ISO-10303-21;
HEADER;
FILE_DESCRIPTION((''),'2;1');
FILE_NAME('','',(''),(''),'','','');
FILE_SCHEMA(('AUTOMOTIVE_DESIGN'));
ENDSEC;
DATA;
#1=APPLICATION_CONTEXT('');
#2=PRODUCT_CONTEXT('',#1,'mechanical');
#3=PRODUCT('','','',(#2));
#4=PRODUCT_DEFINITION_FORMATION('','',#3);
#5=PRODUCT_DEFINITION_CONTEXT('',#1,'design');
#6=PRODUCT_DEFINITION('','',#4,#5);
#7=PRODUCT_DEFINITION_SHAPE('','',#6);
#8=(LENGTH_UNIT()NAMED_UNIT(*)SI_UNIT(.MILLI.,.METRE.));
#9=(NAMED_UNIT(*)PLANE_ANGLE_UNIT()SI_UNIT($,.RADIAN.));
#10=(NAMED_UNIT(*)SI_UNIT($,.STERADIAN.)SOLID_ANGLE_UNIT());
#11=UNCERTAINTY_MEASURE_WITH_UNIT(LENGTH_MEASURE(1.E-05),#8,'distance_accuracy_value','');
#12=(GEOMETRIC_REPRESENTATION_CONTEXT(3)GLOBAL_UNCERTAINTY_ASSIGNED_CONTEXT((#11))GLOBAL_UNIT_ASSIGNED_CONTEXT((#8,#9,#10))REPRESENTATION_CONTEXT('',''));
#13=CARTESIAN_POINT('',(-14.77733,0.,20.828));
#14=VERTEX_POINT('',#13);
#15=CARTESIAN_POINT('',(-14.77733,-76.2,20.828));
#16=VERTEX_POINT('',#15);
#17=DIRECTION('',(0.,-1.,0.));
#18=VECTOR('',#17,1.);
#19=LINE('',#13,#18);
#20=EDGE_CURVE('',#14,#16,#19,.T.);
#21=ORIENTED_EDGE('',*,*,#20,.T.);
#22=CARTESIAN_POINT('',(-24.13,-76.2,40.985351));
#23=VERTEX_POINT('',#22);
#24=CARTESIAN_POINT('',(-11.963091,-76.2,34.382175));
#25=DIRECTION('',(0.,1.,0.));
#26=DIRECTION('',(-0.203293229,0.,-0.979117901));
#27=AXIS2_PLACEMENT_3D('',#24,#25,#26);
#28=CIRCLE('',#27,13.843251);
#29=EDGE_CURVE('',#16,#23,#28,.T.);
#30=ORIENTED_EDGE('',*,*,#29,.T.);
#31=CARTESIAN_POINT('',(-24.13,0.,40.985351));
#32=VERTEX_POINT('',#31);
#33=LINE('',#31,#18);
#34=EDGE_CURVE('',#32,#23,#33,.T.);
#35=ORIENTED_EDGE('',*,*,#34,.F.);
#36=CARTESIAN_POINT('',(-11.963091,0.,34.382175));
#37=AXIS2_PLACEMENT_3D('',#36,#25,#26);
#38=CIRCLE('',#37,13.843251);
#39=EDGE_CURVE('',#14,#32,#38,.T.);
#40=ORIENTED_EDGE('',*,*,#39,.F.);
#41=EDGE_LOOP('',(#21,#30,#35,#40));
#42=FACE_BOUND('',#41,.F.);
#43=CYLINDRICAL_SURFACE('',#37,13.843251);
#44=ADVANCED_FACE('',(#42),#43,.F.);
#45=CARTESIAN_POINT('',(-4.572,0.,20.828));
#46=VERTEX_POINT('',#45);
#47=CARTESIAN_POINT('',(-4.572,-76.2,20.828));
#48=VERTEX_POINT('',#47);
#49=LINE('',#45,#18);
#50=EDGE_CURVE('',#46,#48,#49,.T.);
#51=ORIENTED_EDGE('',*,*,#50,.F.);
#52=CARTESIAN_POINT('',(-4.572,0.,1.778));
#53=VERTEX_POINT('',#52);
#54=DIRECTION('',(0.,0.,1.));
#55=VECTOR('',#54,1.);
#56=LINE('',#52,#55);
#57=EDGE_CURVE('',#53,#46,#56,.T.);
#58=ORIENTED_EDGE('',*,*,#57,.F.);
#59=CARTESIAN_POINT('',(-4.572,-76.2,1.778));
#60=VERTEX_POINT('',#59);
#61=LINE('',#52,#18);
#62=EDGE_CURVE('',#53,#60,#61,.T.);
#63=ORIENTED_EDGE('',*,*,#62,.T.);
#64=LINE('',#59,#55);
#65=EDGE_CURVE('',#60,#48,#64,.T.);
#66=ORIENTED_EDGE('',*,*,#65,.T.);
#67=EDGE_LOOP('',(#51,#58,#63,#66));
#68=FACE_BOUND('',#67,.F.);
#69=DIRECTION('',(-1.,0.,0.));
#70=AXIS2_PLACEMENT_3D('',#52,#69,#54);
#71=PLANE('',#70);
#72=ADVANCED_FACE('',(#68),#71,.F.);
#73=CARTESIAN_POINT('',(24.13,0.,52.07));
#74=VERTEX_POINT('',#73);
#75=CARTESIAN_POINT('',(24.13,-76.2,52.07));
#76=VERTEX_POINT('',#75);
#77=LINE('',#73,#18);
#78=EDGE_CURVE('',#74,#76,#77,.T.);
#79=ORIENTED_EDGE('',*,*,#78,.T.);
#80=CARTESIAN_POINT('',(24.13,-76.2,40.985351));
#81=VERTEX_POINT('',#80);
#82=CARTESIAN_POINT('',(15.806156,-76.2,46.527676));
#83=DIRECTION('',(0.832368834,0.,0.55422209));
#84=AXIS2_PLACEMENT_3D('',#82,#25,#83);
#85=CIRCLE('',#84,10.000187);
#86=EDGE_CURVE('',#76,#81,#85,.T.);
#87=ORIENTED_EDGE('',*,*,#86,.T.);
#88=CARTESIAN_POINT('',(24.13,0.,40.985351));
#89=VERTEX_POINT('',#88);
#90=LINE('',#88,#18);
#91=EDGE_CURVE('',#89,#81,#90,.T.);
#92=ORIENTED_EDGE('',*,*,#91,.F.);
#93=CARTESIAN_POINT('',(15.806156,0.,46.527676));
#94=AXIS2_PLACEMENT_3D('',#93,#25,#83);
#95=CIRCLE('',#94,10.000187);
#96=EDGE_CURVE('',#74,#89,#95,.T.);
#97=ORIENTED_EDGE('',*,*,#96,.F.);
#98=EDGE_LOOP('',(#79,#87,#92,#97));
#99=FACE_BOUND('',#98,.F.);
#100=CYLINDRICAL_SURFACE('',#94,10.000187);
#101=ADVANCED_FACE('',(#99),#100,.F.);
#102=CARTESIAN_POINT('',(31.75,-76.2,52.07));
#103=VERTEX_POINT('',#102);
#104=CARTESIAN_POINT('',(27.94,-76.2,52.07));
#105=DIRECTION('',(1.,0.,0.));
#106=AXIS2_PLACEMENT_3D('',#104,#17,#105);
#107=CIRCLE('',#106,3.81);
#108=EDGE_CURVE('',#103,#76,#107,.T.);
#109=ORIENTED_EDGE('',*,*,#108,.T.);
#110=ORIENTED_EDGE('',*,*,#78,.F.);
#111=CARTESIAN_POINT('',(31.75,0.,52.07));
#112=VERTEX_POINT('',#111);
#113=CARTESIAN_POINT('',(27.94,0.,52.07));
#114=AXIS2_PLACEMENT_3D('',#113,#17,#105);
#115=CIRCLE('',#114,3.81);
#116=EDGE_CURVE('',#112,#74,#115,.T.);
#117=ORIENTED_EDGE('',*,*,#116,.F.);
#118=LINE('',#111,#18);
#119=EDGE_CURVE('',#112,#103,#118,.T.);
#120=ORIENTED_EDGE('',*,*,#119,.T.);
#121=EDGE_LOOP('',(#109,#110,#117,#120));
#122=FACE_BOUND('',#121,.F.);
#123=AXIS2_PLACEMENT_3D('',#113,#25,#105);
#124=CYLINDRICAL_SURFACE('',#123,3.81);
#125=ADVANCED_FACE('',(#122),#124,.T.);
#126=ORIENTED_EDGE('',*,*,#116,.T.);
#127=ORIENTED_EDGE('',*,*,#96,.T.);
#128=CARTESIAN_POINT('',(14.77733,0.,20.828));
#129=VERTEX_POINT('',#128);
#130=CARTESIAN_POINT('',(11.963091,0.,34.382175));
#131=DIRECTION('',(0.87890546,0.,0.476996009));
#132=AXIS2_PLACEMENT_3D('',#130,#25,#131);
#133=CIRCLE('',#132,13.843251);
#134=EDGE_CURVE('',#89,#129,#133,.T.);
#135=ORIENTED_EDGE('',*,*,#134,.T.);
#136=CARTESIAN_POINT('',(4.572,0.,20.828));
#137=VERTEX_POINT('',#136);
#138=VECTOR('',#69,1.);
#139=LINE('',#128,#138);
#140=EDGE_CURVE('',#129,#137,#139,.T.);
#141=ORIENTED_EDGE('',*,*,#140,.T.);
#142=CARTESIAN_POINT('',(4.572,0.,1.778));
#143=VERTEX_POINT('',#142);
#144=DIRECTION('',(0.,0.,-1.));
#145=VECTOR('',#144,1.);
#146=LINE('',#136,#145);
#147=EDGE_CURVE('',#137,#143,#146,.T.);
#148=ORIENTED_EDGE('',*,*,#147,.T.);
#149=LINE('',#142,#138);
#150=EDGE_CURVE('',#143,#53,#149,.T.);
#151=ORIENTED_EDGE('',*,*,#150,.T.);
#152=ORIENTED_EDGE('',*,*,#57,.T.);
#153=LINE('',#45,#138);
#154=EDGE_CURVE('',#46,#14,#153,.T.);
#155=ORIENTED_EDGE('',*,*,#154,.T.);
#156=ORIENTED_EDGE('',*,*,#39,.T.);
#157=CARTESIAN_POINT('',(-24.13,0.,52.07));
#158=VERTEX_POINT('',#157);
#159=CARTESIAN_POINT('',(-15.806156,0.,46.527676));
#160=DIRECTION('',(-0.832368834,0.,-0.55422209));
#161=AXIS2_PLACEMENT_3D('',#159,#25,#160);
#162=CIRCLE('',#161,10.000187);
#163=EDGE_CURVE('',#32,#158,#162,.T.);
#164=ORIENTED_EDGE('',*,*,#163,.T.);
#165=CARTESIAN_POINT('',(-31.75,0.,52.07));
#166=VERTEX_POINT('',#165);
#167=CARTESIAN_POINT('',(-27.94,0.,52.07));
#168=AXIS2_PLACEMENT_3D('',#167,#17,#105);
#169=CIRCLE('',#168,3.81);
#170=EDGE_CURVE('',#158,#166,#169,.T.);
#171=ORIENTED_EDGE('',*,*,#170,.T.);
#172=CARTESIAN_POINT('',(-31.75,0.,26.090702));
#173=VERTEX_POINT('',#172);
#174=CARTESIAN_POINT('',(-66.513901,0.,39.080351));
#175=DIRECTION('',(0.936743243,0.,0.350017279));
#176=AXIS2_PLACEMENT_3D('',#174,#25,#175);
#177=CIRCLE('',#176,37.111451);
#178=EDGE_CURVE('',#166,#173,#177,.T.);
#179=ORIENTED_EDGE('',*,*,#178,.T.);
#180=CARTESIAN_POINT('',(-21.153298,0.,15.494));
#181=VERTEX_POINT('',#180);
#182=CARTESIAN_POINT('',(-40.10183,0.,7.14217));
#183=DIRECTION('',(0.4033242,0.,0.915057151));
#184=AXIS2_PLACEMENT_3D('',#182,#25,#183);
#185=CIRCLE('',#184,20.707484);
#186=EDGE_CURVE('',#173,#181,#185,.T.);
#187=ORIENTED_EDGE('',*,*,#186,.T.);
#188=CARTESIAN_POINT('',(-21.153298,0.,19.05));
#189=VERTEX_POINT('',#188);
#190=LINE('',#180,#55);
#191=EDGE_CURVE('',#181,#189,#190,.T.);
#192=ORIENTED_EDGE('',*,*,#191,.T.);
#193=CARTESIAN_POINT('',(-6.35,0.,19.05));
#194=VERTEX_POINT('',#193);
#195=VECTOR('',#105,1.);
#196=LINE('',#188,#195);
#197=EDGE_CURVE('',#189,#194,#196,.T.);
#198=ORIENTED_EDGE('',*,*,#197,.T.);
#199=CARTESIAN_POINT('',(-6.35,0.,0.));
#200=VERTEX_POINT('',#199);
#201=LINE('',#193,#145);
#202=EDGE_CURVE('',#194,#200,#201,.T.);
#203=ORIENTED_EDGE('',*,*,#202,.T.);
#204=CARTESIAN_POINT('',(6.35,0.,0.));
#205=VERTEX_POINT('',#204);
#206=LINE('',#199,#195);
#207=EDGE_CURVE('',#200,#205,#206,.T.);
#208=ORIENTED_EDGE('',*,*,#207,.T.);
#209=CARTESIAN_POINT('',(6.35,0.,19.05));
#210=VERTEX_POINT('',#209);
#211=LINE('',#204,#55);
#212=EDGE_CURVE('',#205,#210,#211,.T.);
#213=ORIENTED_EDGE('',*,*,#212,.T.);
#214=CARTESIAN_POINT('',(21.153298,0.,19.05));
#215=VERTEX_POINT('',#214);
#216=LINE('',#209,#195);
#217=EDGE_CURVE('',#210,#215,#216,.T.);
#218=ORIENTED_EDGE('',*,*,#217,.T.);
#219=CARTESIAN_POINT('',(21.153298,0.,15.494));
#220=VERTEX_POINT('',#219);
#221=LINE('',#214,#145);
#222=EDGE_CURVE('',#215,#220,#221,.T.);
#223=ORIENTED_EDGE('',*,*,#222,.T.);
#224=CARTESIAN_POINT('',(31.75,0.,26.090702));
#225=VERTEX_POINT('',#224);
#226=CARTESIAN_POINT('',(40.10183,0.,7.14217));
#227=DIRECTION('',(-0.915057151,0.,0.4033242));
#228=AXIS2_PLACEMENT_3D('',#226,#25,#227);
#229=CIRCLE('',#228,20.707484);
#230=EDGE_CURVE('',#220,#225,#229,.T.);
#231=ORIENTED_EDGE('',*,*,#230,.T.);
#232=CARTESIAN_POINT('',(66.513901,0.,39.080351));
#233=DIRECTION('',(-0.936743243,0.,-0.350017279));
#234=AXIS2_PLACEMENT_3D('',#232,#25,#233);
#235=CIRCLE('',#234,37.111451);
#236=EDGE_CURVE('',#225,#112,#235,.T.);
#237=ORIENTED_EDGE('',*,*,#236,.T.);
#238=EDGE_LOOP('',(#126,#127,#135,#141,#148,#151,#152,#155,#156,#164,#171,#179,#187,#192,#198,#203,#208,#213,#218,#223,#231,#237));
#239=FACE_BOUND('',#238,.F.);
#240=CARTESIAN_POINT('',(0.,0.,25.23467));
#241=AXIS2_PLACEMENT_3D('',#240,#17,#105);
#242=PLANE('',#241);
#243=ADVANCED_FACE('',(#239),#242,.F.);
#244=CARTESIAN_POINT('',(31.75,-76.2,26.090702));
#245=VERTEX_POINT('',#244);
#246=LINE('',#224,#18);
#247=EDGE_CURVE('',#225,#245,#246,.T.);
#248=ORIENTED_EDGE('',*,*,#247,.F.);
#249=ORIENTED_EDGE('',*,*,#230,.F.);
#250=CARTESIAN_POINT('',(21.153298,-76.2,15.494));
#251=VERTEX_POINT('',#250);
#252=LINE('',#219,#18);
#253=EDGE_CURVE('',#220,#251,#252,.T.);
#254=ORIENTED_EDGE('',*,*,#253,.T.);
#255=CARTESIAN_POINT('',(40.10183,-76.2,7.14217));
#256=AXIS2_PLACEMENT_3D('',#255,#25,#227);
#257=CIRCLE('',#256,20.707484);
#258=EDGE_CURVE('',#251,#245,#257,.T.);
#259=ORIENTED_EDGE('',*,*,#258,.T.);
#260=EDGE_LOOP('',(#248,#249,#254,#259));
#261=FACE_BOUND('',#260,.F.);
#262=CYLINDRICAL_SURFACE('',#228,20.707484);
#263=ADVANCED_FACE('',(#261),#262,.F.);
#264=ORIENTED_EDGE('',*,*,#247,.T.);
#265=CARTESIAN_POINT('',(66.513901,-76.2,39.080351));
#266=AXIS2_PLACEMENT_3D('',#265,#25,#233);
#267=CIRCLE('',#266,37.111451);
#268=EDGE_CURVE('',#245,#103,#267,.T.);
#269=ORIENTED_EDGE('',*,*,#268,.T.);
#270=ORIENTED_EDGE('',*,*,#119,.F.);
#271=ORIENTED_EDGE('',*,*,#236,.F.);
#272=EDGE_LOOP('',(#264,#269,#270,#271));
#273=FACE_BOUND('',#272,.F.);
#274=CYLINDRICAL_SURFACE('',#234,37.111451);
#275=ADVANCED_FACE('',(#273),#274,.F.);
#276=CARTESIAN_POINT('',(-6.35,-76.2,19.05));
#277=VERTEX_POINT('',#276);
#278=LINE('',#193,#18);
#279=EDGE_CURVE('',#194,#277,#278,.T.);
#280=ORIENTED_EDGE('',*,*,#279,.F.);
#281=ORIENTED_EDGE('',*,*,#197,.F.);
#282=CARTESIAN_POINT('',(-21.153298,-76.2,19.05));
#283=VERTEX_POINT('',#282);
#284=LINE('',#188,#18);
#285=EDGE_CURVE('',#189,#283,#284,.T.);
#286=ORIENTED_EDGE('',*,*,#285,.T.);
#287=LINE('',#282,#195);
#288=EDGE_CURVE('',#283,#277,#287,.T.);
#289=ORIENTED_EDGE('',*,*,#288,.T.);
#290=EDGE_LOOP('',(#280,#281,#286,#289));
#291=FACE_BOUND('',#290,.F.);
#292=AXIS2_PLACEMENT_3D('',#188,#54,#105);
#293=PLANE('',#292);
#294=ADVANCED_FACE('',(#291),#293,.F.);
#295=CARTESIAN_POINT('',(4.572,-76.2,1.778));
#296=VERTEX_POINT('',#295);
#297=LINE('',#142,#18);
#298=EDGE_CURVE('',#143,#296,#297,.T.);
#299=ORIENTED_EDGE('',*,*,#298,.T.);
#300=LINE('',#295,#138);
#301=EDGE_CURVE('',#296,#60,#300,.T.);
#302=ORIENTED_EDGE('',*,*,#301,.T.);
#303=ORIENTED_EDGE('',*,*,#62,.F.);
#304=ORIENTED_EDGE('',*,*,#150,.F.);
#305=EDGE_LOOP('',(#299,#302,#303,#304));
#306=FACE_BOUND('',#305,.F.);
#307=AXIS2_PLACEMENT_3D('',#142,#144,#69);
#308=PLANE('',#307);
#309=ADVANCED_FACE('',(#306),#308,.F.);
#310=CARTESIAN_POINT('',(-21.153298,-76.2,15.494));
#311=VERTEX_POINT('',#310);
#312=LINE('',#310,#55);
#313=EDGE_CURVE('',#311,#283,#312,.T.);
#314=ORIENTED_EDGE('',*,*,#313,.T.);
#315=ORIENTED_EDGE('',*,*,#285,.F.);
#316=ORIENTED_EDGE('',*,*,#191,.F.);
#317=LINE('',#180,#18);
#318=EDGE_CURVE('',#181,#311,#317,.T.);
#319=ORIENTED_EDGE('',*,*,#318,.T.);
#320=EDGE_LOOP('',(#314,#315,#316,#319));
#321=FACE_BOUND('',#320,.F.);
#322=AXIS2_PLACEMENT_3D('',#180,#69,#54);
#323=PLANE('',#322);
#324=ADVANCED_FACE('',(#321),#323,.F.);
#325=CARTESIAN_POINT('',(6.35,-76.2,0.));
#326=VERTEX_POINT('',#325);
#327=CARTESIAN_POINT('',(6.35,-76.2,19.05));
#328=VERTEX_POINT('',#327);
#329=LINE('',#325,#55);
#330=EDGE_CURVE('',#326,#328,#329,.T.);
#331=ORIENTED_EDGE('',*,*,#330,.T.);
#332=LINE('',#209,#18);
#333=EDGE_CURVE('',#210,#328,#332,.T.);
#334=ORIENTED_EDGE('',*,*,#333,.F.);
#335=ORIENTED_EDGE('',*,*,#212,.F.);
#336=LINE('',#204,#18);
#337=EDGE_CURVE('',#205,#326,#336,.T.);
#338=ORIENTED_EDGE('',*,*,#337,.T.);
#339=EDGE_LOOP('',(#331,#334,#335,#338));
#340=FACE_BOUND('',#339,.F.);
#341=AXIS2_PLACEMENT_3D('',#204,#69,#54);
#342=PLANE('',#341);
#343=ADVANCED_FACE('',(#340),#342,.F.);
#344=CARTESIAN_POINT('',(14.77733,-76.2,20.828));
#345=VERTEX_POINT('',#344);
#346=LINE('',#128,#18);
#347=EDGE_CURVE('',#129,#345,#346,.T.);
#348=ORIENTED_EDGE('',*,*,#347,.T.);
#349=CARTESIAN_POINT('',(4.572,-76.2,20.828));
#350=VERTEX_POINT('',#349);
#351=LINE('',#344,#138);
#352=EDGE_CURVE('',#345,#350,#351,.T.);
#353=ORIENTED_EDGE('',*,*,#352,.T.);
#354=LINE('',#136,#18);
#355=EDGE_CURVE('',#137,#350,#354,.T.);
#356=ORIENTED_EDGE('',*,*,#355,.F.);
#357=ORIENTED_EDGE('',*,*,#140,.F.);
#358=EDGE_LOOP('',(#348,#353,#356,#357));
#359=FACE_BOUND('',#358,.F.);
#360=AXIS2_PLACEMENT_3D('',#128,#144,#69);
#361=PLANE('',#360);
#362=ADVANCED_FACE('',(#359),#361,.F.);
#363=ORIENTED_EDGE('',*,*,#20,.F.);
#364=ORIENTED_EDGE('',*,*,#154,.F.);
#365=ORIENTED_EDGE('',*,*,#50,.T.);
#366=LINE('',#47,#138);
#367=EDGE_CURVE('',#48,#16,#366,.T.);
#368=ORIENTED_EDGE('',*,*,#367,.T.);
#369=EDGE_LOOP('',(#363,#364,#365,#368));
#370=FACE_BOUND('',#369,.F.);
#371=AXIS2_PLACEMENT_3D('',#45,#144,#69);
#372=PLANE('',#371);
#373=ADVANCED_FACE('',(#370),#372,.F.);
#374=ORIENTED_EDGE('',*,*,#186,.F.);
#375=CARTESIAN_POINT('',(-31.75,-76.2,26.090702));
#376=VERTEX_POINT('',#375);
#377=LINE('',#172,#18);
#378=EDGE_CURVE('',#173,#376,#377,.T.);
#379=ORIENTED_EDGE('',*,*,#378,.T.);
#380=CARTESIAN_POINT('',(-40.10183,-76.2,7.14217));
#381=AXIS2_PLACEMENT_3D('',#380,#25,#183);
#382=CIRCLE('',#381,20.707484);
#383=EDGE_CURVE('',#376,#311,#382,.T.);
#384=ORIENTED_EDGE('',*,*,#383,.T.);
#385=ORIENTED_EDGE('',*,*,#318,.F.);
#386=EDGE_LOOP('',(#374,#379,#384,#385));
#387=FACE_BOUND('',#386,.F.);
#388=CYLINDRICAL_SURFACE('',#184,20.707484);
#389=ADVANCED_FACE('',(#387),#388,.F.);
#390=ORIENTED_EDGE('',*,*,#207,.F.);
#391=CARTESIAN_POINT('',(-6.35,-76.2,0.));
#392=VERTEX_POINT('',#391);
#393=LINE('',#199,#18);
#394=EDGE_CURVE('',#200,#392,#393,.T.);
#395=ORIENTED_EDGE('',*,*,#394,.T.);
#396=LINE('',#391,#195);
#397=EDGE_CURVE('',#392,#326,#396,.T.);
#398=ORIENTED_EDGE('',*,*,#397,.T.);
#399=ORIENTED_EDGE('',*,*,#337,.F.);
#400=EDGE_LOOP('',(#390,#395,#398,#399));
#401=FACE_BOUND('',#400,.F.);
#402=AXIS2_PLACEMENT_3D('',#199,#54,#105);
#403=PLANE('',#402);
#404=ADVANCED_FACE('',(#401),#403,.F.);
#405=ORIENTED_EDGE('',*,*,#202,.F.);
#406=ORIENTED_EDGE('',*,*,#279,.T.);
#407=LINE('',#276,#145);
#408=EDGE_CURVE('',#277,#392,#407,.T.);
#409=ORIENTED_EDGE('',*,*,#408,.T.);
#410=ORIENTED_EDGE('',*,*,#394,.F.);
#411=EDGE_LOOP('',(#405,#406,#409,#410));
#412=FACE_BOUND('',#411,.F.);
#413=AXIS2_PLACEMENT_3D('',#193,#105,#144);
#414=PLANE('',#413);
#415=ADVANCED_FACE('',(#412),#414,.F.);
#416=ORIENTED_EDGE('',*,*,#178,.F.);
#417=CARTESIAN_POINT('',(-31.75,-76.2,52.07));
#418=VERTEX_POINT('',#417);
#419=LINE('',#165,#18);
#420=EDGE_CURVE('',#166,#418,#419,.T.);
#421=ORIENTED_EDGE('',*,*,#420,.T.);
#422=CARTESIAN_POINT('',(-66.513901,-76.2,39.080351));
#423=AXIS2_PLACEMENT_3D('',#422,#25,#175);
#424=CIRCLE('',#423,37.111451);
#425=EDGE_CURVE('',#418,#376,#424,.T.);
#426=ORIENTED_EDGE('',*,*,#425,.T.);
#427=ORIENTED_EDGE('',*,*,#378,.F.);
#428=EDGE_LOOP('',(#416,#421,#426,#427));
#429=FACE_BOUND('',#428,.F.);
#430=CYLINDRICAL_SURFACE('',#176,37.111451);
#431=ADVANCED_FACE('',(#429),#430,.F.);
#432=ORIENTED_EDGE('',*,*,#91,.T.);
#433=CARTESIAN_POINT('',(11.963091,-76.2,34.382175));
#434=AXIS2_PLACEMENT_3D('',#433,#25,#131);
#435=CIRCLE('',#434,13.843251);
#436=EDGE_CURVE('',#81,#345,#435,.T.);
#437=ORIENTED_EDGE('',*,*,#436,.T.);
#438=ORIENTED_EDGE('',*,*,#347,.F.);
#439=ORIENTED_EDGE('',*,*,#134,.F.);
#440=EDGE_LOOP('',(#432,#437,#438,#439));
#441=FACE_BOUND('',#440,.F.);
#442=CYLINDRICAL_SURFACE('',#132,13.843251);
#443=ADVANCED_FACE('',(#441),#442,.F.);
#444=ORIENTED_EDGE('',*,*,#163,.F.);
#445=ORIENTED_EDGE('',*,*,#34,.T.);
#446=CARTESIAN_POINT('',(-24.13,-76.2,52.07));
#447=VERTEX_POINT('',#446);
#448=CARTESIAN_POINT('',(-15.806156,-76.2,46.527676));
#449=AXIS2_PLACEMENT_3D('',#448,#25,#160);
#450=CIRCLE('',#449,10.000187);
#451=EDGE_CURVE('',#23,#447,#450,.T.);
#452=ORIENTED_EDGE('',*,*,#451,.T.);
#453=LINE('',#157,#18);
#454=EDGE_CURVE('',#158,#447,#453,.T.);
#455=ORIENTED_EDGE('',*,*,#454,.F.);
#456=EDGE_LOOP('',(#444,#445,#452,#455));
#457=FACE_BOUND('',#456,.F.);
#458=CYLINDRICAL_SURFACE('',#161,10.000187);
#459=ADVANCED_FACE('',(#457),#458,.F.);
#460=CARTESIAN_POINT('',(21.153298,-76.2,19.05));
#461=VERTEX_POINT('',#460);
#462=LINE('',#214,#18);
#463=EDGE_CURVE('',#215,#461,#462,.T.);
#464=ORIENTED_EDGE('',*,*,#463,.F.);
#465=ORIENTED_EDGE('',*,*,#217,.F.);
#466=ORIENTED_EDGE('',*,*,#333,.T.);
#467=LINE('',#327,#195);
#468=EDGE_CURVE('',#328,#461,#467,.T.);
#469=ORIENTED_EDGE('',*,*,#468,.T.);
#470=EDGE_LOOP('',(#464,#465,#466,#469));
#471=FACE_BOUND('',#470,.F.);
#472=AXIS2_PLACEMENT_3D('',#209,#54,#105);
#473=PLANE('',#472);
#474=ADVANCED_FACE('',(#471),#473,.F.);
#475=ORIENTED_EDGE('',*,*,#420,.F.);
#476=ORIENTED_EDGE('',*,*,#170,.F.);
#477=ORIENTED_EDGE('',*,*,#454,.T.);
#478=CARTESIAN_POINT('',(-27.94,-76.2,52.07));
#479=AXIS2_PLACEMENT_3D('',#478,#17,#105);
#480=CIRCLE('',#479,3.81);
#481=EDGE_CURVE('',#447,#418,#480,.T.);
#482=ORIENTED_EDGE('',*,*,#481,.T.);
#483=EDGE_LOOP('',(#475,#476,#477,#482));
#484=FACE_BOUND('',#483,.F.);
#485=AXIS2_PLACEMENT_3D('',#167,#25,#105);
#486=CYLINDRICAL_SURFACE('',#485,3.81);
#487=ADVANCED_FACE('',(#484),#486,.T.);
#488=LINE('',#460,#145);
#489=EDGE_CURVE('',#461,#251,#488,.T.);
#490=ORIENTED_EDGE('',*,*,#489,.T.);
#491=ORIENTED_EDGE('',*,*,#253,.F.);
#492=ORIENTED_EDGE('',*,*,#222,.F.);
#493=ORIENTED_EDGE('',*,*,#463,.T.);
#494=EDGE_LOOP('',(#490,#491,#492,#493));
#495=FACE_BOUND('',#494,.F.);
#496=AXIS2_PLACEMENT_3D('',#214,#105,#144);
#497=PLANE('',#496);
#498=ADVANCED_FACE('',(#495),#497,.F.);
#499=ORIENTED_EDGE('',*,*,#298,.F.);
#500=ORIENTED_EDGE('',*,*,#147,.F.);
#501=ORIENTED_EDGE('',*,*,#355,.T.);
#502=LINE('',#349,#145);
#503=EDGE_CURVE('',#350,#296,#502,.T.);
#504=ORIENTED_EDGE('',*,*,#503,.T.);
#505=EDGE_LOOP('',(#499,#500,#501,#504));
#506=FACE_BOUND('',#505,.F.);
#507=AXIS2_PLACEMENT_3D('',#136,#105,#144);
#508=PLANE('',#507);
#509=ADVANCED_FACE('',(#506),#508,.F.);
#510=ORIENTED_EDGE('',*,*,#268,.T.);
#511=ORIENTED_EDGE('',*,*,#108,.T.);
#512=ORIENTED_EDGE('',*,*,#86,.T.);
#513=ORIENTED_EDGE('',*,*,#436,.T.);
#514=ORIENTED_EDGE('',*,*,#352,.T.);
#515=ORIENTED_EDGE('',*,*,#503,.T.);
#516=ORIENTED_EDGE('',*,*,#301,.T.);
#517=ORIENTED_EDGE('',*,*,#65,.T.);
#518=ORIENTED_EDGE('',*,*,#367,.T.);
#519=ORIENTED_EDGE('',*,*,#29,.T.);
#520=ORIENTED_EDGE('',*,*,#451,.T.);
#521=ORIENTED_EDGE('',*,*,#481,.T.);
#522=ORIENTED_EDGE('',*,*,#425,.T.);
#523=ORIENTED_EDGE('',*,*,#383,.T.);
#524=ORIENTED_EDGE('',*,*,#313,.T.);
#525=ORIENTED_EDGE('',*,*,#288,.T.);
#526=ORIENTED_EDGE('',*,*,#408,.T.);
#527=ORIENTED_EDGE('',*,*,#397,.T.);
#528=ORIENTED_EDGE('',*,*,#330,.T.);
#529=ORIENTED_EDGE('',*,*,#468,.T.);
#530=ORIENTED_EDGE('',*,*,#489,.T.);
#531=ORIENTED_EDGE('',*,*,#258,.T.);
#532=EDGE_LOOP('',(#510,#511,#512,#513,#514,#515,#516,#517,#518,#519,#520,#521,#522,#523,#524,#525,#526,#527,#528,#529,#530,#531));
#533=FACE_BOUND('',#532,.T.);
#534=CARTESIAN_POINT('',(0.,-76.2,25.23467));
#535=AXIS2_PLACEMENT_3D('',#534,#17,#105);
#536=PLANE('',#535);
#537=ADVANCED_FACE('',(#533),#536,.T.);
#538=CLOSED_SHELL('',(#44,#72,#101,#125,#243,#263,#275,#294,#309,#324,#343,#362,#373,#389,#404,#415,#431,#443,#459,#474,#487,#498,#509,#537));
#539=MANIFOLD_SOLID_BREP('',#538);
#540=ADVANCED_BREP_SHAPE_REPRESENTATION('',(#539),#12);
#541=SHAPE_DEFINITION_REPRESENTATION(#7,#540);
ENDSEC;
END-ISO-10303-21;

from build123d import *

# Parameters (mm, degrees)
F1_DEPTH = 76.2


with BuildPart() as f1:
    # F0 (on Front) → F1 (new body)
    with BuildSketch(Plane.XZ):
        with BuildLine():
            Line((-6.35, 0), (0, 0))
            Line((0, 0), (6.35, 0))
            Line((6.35, 0), (6.35, 19.05))
            Line((6.35, 19.05), (21.153298, 19.05))
            Line((21.153298, 19.05), (21.153298, 15.494))
            ThreePointArc((21.153298, 15.494), (25.459427, 21.784573), (31.75, 26.090702))
            ThreePointArc((31.75, 26.090702), (29.40245, 39.080351), (31.75, 52.07))
            ThreePointArc((31.75, 52.07), (27.94, 55.88), (24.13, 52.07))
            ThreePointArc((24.13, 52.07), (25.806343, 46.527676), (24.13, 40.985351))
            ThreePointArc((24.13, 40.985351), (24.520495, 28.555752), (14.77733, 20.828))
            Line((14.77733, 20.828), (4.572, 20.828))
            Line((4.572, 20.828), (4.572, 1.778))
            Line((4.572, 1.778), (0, 1.778))
            Line((0, 1.778), (-4.572, 1.778))
            Line((-4.572, 1.778), (-4.572, 20.828))
            Line((-4.572, 20.828), (-14.77733, 20.828))
            ThreePointArc((-14.77733, 20.828), (-24.520495, 28.555752), (-24.13, 40.985351))
            ThreePointArc((-24.13, 40.985351), (-25.806343, 46.527676), (-24.13, 52.07))
            ThreePointArc((-24.13, 52.07), (-27.94, 55.88), (-31.75, 52.07))
            ThreePointArc((-31.75, 52.07), (-29.40245, 39.080351), (-31.75, 26.090702))
            ThreePointArc((-31.75, 26.090702), (-25.459427, 21.784573), (-21.153298, 15.494))
            Line((-21.153298, 15.494), (-21.153298, 19.05))
            Line((-21.153298, 19.05), (-6.35, 19.05))
            Line((-6.35, 19.05), (-6.35, 0))
        make_face()
    extrude(amount=F1_DEPTH)


solid = f1.part
